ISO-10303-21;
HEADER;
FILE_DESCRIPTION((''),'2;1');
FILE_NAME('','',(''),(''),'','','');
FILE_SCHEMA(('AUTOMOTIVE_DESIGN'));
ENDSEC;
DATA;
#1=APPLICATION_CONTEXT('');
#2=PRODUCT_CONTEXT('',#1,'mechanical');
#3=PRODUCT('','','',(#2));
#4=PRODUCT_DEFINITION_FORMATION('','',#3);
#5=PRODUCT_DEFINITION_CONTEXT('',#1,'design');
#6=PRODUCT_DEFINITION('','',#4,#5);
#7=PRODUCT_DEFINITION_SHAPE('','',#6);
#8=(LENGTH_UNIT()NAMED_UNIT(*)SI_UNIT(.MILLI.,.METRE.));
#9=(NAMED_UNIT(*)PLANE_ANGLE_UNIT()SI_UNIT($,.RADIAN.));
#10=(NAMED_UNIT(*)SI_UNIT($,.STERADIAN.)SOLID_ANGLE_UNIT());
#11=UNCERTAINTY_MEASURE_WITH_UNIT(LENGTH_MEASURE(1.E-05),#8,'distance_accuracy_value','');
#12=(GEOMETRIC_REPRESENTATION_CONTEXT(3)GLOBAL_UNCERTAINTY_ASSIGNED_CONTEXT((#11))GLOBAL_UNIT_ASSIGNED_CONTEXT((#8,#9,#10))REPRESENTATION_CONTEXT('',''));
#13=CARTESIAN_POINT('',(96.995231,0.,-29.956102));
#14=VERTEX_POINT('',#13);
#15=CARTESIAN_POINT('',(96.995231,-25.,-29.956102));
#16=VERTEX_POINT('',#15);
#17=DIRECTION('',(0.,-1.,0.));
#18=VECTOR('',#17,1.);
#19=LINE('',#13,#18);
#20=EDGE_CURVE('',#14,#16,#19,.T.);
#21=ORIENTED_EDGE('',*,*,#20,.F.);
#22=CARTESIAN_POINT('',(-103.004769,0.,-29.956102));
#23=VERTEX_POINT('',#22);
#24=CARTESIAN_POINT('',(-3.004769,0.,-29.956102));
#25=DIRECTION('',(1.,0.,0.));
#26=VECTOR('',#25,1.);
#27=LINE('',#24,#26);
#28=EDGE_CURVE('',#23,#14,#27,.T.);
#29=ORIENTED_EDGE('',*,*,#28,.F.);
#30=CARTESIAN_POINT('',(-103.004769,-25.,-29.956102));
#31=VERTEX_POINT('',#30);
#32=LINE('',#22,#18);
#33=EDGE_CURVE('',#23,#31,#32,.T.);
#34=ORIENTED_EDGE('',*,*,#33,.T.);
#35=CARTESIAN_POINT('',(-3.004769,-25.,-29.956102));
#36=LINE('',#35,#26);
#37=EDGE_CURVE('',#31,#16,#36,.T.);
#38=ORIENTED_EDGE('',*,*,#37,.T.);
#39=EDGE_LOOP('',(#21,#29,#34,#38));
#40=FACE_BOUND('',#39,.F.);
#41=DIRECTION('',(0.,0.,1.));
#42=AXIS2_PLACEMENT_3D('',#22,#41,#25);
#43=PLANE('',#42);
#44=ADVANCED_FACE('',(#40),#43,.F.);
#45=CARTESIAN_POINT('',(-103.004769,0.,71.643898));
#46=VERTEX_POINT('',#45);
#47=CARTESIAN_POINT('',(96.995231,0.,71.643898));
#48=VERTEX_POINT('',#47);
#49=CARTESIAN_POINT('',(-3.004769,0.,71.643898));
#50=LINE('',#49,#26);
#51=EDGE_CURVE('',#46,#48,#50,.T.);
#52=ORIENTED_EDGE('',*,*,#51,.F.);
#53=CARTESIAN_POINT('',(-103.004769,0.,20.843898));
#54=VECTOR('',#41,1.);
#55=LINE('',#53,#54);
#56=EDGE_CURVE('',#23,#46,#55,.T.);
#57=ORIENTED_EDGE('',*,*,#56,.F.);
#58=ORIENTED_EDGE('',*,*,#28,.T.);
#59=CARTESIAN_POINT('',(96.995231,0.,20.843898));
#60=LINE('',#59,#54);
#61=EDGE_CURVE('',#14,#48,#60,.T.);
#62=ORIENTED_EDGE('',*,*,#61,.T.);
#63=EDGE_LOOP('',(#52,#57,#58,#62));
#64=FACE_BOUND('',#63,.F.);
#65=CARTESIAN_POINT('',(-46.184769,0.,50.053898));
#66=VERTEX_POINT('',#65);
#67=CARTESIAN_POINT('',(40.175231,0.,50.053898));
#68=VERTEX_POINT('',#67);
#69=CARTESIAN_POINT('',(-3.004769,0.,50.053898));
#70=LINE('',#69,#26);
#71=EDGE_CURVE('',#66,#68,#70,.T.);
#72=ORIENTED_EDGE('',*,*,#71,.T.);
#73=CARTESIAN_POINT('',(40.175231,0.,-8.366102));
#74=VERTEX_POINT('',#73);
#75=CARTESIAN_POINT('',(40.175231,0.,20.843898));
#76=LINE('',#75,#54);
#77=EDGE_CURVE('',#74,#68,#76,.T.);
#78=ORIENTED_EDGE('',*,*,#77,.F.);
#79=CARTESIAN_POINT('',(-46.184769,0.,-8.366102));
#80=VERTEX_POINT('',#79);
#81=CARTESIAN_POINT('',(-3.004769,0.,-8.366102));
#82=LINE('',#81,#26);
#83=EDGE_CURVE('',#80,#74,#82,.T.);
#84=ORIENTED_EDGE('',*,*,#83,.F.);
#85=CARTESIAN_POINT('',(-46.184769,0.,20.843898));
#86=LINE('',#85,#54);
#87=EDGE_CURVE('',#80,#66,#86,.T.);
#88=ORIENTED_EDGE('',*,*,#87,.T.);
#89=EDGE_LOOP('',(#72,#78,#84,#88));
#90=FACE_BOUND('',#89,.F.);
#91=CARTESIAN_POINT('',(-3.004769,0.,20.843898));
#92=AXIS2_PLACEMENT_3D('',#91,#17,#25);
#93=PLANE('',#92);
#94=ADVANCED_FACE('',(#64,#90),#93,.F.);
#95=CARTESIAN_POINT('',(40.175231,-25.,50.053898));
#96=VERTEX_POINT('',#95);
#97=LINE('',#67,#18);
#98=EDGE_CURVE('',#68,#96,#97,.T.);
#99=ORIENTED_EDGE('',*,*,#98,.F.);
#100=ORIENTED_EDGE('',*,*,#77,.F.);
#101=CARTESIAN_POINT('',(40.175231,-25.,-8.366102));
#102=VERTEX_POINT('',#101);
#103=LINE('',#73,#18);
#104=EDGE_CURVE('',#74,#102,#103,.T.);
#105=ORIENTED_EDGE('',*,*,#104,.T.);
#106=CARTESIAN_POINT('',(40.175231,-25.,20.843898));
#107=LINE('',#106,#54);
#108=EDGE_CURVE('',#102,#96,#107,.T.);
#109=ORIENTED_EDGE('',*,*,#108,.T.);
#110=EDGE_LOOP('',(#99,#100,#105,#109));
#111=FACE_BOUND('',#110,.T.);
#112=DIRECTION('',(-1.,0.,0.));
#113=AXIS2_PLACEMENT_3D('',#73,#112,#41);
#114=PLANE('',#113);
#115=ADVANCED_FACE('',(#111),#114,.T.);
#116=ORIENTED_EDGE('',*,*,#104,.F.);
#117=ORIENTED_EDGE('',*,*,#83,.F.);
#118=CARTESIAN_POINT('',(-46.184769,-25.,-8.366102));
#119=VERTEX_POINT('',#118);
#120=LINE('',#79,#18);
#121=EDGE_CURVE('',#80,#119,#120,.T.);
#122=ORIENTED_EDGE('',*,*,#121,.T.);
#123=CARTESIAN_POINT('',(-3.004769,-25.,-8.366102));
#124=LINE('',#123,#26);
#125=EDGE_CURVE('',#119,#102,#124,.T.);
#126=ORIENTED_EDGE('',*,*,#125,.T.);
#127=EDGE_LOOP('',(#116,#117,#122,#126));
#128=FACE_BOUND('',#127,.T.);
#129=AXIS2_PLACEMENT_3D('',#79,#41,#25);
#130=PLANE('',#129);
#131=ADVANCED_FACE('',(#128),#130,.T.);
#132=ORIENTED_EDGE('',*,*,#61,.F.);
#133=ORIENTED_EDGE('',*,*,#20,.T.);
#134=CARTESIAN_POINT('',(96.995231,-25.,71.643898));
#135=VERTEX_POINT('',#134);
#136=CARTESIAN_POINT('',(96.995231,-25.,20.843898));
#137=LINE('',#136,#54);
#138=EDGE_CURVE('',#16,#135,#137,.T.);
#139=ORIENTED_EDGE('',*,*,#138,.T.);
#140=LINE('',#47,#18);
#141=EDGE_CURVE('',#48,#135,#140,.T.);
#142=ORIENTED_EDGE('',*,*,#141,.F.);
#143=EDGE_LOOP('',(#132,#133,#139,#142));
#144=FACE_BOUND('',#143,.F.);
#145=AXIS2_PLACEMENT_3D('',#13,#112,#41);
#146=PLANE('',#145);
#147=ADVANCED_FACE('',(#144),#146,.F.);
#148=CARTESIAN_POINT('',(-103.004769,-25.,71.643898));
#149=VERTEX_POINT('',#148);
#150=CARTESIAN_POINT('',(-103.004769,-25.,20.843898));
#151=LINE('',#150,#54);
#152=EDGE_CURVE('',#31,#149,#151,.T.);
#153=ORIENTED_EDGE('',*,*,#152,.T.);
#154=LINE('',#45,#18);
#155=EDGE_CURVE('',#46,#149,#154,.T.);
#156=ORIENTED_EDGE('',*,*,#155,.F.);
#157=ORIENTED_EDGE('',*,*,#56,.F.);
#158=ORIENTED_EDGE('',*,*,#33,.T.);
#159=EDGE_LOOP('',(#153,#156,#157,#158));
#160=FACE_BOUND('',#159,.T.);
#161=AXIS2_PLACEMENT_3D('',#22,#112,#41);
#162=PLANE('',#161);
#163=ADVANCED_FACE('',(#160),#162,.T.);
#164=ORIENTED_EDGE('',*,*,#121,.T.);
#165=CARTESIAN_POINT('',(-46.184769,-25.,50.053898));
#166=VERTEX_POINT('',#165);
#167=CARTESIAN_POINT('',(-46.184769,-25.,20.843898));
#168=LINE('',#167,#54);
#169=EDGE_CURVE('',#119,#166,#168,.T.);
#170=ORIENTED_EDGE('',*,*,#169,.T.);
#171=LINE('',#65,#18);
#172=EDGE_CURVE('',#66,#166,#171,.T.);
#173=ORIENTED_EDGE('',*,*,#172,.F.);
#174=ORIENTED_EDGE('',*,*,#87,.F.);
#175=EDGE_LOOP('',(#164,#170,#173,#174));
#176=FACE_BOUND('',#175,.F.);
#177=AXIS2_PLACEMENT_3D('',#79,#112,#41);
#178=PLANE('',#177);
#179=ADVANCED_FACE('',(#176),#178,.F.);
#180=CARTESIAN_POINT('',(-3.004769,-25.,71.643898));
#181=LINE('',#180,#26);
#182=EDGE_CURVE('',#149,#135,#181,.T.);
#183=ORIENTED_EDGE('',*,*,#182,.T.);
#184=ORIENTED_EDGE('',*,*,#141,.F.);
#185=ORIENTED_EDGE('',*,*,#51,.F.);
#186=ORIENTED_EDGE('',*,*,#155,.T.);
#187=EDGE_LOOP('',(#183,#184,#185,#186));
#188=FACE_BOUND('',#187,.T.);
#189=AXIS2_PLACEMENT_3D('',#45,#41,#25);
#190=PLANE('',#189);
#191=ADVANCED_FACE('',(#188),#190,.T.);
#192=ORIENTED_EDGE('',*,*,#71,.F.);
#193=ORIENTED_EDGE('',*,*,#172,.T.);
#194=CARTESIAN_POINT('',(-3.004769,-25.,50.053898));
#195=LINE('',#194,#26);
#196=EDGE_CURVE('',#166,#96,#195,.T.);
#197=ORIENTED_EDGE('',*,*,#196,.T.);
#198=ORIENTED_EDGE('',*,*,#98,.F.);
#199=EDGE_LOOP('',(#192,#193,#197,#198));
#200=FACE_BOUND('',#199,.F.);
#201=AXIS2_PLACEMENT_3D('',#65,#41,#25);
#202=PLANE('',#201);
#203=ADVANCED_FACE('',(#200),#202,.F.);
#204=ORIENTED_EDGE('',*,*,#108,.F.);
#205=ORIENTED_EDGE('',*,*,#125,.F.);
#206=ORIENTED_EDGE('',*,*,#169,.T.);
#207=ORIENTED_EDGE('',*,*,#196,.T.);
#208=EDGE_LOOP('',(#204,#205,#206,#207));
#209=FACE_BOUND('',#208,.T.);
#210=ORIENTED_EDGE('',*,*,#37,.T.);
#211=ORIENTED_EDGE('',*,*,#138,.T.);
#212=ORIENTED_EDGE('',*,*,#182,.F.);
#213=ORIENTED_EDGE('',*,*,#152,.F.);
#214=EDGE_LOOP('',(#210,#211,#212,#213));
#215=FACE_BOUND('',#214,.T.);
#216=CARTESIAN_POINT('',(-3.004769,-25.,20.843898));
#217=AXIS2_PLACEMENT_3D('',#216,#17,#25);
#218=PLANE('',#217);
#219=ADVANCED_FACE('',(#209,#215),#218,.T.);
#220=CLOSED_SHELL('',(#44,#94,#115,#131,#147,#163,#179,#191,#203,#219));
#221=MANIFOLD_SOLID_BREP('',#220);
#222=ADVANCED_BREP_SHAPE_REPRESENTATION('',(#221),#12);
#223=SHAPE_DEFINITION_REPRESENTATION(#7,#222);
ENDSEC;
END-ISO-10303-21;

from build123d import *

# Parameters (mm, degrees)
F0_W     = 200
F0_H     = 101.6
F0_W_2   = 86.36
F0_H_2   = 58.42
F1_DEPTH = 25
F2_DEPTH = 25


with BuildPart() as f1:
    # F0 (on Front) → F1 (new body)
    with BuildSketch(Plane.XZ):
        with Locations((-3.004769, 20.843898)):
            Rectangle(F0_W, F0_H)
        with Locations((-3.004769, 20.843898)):
            Rectangle(F0_W_2, F0_H_2, mode=Mode.SUBTRACT)
    extrude(amount=F1_DEPTH)

    # F0 (on Front) → F2 (cut)
    with BuildSketch(Plane.XZ):
        with Locations((-3.004769, 20.843898)):
            Rectangle(F0_W_2, F0_H_2)
    extrude(amount=F2_DEPTH, mode=Mode.SUBTRACT)


solid = f1.part
